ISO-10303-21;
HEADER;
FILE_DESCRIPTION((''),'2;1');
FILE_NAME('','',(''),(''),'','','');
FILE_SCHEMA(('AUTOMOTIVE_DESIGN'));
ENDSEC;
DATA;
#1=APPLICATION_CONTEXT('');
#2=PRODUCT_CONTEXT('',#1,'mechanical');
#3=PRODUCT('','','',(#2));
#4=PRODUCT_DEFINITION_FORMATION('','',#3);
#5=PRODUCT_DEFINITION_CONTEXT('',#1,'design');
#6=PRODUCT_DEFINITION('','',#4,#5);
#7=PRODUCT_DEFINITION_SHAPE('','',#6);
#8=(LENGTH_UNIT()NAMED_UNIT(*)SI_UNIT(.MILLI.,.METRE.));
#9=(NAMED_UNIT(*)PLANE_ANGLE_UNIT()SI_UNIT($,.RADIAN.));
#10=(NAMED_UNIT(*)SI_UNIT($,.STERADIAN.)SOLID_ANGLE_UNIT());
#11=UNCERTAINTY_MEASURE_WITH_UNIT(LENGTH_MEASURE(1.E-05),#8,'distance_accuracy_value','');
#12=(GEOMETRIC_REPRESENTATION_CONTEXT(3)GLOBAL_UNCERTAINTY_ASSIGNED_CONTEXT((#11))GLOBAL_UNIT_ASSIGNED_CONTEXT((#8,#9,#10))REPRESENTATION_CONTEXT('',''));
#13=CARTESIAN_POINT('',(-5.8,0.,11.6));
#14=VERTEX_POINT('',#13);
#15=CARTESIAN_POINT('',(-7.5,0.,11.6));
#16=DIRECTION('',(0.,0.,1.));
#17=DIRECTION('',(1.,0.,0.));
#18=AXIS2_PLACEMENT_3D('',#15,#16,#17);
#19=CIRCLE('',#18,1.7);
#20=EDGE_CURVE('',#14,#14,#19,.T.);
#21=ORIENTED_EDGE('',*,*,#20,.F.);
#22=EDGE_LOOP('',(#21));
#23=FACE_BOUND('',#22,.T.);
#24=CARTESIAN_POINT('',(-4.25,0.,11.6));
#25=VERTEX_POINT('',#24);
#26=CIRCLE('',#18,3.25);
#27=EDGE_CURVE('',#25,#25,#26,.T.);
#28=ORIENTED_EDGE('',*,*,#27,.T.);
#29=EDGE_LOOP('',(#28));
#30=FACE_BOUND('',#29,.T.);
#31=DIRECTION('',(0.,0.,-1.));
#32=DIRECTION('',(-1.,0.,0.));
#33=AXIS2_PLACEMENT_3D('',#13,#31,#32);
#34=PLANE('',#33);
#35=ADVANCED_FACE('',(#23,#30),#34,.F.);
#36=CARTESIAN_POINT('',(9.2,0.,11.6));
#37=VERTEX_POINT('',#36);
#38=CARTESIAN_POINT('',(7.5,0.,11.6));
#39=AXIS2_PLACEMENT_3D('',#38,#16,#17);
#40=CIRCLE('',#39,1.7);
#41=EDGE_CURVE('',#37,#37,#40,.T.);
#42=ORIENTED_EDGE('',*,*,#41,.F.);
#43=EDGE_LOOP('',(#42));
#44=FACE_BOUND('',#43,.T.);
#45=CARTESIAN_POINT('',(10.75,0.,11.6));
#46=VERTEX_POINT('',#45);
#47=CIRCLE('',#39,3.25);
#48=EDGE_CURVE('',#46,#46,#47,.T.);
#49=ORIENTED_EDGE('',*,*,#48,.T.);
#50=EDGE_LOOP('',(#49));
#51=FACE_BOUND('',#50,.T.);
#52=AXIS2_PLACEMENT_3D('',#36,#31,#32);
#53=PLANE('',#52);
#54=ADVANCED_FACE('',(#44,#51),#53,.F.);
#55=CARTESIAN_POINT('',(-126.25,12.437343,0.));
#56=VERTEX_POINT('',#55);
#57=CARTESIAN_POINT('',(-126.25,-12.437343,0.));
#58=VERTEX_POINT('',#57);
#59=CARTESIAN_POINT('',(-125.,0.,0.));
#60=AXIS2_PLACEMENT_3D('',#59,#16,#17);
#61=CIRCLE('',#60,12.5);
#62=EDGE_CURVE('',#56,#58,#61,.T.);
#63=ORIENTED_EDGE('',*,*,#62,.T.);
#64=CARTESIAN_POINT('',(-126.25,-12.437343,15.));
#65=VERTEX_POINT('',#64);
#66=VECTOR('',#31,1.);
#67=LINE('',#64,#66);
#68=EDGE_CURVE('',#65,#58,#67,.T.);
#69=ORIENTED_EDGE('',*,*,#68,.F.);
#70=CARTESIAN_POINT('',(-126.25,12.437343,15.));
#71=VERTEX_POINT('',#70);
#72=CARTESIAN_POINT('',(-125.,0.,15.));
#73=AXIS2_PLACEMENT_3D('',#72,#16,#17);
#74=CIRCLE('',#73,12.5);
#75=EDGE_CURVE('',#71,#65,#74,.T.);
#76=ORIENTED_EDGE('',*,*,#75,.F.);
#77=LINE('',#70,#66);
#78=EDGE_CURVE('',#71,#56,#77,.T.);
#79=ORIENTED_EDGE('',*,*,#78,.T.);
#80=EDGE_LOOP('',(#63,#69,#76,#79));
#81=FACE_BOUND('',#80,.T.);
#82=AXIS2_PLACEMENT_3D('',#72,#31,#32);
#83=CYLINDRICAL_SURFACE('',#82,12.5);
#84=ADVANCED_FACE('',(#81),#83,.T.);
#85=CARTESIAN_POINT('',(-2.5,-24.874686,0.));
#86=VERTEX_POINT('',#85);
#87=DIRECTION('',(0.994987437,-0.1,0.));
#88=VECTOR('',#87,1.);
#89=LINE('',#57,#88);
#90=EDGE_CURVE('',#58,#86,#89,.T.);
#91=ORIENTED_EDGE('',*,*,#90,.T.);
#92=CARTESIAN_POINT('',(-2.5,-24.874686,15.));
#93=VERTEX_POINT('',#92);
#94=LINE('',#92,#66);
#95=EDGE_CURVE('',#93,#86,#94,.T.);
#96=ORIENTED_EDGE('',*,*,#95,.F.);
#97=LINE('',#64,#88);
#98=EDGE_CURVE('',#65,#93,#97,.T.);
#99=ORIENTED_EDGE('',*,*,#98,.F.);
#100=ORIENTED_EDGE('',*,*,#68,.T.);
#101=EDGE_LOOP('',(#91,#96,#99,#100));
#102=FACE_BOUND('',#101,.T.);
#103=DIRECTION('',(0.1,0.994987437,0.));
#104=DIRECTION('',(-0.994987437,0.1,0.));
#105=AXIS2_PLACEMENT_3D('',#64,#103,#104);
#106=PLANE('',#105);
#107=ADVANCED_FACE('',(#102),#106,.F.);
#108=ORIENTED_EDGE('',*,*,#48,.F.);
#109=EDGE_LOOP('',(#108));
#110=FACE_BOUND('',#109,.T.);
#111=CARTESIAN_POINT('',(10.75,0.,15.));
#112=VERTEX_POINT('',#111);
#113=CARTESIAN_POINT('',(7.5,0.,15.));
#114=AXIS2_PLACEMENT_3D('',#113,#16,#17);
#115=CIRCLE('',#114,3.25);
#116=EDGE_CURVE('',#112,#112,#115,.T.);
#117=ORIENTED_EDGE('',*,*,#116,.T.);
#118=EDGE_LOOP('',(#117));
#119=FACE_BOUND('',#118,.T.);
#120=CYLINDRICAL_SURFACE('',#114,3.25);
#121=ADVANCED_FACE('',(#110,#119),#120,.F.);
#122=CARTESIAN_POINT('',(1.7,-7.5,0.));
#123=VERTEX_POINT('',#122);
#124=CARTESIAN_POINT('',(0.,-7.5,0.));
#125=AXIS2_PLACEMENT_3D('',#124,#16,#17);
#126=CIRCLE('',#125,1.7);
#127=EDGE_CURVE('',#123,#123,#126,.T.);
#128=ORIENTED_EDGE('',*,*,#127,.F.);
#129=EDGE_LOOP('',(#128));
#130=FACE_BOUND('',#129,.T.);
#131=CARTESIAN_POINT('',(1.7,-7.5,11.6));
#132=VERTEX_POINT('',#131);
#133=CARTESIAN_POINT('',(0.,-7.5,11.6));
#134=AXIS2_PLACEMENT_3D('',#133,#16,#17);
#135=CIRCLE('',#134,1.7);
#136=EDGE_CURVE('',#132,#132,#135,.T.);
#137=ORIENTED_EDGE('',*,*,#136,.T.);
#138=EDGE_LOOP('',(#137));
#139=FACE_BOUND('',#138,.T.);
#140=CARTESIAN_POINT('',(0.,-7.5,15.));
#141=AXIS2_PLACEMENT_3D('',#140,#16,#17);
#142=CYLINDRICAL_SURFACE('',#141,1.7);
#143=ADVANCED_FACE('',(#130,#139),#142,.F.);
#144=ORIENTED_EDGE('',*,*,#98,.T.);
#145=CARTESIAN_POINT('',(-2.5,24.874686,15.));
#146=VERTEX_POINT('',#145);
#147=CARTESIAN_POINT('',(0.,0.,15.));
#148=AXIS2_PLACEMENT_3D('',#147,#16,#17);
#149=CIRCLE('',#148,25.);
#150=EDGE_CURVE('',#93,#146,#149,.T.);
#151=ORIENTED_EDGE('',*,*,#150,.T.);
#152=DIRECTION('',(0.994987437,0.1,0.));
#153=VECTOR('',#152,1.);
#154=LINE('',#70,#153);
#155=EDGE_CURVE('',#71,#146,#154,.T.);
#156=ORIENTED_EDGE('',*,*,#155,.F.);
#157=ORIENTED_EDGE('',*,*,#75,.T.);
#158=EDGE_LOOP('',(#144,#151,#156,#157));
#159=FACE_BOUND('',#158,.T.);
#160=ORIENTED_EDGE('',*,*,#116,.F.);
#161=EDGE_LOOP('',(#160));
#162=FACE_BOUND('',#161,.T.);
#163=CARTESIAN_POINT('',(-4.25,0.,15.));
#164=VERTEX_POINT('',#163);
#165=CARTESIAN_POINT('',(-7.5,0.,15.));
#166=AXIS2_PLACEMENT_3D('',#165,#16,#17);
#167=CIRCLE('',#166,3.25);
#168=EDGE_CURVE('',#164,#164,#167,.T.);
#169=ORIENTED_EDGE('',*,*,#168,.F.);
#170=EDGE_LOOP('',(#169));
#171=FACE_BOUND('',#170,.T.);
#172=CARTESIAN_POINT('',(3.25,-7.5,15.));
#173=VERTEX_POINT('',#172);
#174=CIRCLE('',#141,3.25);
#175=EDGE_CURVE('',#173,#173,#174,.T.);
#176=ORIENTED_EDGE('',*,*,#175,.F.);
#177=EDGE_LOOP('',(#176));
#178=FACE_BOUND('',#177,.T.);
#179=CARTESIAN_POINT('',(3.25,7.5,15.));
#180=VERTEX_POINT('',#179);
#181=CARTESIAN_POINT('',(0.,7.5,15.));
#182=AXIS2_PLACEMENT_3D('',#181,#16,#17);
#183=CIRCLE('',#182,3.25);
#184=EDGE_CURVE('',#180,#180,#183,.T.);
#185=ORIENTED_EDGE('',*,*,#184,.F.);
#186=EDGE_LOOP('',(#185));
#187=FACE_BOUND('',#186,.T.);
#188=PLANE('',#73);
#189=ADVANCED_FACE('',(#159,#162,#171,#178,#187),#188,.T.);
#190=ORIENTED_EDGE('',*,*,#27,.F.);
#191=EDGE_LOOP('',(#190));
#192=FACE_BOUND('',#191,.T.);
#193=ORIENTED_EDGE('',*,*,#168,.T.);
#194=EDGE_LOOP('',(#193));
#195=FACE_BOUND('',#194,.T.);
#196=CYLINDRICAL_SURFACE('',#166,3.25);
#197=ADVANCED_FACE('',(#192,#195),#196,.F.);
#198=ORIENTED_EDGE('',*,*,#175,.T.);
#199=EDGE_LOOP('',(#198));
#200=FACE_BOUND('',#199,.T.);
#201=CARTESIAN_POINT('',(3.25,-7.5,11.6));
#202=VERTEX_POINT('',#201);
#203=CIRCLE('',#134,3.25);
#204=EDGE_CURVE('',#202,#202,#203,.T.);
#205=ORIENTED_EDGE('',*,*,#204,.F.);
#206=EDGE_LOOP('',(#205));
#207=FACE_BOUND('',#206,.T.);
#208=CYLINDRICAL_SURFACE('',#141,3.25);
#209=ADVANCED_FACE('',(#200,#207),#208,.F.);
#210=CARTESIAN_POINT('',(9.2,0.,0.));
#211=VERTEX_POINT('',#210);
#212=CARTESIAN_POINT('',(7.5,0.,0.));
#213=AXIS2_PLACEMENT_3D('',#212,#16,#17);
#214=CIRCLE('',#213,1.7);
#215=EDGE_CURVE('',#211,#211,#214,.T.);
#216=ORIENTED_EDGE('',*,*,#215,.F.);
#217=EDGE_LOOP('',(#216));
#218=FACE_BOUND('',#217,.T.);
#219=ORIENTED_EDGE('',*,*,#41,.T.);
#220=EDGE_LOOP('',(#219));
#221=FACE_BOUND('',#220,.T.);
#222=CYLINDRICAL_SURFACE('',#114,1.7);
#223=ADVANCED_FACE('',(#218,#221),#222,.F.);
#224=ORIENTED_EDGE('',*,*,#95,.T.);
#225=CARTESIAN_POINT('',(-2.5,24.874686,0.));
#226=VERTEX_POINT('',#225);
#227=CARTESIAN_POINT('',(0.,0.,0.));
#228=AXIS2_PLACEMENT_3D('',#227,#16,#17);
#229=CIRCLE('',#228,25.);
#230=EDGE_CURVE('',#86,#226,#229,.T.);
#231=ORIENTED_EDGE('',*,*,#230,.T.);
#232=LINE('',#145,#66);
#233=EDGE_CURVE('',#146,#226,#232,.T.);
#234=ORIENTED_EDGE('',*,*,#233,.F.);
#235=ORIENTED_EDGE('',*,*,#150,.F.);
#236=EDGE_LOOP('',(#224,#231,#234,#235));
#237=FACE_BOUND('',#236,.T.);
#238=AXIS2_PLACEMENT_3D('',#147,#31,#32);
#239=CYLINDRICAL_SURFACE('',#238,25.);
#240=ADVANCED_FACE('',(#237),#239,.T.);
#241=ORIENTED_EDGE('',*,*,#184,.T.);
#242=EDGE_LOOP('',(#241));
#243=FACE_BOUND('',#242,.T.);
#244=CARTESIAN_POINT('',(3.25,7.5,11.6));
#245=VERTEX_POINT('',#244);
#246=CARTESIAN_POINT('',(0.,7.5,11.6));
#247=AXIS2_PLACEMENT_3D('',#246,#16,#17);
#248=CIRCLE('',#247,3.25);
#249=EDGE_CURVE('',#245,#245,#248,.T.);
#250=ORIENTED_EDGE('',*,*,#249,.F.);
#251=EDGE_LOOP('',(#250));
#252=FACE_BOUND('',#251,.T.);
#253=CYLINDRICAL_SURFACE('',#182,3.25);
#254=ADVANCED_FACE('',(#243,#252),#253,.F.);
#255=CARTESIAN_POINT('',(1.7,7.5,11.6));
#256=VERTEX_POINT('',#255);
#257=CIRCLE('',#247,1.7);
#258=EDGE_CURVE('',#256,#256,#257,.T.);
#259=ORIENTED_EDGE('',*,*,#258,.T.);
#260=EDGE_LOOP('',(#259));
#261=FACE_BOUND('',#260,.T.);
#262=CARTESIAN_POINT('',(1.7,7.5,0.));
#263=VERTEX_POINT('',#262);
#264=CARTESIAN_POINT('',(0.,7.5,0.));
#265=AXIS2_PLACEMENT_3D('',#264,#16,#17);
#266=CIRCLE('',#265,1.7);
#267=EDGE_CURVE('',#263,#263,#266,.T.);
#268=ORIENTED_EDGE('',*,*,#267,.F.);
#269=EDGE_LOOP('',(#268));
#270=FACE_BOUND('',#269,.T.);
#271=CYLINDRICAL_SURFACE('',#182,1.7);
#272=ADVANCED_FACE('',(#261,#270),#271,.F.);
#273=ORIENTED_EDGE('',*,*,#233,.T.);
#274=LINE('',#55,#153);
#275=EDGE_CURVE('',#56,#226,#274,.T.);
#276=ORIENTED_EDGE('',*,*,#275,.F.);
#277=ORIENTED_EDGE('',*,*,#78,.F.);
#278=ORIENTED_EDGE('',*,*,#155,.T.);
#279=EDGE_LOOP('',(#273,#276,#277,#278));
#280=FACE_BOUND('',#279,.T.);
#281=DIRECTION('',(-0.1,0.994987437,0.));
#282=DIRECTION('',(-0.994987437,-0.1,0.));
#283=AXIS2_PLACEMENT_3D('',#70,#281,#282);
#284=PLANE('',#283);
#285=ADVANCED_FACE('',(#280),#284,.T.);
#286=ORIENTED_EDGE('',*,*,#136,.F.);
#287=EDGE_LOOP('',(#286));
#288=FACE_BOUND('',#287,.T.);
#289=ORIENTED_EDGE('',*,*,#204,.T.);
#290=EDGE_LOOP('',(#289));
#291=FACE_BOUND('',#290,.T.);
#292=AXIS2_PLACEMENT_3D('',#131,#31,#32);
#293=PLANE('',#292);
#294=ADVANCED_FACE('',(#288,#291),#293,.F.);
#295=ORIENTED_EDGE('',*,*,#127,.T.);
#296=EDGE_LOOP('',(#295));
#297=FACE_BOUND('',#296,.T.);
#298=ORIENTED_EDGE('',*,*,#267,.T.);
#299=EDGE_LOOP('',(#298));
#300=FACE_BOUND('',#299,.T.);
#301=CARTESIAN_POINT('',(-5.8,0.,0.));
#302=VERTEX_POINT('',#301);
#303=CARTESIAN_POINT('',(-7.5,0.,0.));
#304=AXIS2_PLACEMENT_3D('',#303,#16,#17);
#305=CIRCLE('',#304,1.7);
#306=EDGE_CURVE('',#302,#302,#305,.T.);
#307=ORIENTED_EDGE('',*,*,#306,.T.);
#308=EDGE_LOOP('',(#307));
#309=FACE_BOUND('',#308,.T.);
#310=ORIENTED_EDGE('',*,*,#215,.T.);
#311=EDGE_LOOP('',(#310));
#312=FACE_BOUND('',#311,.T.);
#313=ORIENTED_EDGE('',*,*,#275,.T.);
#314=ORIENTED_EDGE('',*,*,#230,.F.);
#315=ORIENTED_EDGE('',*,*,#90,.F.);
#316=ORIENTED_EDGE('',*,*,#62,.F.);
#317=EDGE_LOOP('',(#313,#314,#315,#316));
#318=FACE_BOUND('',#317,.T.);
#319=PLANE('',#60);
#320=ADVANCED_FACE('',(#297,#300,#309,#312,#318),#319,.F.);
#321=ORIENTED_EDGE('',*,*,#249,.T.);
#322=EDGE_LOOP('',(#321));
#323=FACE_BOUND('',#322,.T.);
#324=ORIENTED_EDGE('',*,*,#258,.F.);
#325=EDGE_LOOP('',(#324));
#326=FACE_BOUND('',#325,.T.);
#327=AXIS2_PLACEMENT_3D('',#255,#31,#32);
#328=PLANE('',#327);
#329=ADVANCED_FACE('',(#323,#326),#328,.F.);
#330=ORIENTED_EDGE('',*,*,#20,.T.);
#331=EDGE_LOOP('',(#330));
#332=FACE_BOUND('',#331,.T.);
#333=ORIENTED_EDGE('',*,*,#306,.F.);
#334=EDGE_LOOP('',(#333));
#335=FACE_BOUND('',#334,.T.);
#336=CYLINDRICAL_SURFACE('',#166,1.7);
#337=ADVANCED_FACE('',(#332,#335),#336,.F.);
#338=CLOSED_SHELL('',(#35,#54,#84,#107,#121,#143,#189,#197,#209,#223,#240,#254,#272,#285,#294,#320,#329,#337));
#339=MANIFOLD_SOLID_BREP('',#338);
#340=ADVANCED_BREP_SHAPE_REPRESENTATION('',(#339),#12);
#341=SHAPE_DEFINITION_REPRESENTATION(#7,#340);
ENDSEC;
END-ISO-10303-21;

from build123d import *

# Parameters (mm, degrees)
BOSS_EXTRUDE1_DEPTH                                 = 15
CBORE_FOR_M3_HEX_SOCKET_HEAD_CAP_SCREW1_D           = 3.4
CBORE_FOR_M3_HEX_SOCKET_HEAD_CAP_SCREW1_CBORE_D     = 6.5
CBORE_FOR_M3_HEX_SOCKET_HEAD_CAP_SCREW1_CBORE_DEPTH = 3.4


with BuildPart() as part:
    # Sketch1 → Boss-Extrude1 (new body)
    with BuildSketch(Plane.XY):
        with BuildLine():
            Line((-126.25, 12.437342964), (-2.5, 24.874685928))
            ThreePointArc((-2.5, 24.874685928), (25, 0), (-2.5, -24.874685928))
            Line((-2.5, -24.874685928), (-126.25, -12.437342964))
            ThreePointArc((-126.25, -12.437342964), (-137.5, 0), (-126.25, 12.437342964))
        make_face()
    extrude(amount=BOSS_EXTRUDE1_DEPTH)

    # CBORE for M3 Hex Socket Head Cap Screw1 (through all)
    with Locations(Plane.XY.offset(15)):
        with Locations((0, 7.5), (7.5, 0), (0, -7.5), (-7.5, 0)):
            CounterBoreHole(CBORE_FOR_M3_HEX_SOCKET_HEAD_CAP_SCREW1_D / 2, CBORE_FOR_M3_HEX_SOCKET_HEAD_CAP_SCREW1_CBORE_D / 2, CBORE_FOR_M3_HEX_SOCKET_HEAD_CAP_SCREW1_CBORE_DEPTH)


solid = part.part
